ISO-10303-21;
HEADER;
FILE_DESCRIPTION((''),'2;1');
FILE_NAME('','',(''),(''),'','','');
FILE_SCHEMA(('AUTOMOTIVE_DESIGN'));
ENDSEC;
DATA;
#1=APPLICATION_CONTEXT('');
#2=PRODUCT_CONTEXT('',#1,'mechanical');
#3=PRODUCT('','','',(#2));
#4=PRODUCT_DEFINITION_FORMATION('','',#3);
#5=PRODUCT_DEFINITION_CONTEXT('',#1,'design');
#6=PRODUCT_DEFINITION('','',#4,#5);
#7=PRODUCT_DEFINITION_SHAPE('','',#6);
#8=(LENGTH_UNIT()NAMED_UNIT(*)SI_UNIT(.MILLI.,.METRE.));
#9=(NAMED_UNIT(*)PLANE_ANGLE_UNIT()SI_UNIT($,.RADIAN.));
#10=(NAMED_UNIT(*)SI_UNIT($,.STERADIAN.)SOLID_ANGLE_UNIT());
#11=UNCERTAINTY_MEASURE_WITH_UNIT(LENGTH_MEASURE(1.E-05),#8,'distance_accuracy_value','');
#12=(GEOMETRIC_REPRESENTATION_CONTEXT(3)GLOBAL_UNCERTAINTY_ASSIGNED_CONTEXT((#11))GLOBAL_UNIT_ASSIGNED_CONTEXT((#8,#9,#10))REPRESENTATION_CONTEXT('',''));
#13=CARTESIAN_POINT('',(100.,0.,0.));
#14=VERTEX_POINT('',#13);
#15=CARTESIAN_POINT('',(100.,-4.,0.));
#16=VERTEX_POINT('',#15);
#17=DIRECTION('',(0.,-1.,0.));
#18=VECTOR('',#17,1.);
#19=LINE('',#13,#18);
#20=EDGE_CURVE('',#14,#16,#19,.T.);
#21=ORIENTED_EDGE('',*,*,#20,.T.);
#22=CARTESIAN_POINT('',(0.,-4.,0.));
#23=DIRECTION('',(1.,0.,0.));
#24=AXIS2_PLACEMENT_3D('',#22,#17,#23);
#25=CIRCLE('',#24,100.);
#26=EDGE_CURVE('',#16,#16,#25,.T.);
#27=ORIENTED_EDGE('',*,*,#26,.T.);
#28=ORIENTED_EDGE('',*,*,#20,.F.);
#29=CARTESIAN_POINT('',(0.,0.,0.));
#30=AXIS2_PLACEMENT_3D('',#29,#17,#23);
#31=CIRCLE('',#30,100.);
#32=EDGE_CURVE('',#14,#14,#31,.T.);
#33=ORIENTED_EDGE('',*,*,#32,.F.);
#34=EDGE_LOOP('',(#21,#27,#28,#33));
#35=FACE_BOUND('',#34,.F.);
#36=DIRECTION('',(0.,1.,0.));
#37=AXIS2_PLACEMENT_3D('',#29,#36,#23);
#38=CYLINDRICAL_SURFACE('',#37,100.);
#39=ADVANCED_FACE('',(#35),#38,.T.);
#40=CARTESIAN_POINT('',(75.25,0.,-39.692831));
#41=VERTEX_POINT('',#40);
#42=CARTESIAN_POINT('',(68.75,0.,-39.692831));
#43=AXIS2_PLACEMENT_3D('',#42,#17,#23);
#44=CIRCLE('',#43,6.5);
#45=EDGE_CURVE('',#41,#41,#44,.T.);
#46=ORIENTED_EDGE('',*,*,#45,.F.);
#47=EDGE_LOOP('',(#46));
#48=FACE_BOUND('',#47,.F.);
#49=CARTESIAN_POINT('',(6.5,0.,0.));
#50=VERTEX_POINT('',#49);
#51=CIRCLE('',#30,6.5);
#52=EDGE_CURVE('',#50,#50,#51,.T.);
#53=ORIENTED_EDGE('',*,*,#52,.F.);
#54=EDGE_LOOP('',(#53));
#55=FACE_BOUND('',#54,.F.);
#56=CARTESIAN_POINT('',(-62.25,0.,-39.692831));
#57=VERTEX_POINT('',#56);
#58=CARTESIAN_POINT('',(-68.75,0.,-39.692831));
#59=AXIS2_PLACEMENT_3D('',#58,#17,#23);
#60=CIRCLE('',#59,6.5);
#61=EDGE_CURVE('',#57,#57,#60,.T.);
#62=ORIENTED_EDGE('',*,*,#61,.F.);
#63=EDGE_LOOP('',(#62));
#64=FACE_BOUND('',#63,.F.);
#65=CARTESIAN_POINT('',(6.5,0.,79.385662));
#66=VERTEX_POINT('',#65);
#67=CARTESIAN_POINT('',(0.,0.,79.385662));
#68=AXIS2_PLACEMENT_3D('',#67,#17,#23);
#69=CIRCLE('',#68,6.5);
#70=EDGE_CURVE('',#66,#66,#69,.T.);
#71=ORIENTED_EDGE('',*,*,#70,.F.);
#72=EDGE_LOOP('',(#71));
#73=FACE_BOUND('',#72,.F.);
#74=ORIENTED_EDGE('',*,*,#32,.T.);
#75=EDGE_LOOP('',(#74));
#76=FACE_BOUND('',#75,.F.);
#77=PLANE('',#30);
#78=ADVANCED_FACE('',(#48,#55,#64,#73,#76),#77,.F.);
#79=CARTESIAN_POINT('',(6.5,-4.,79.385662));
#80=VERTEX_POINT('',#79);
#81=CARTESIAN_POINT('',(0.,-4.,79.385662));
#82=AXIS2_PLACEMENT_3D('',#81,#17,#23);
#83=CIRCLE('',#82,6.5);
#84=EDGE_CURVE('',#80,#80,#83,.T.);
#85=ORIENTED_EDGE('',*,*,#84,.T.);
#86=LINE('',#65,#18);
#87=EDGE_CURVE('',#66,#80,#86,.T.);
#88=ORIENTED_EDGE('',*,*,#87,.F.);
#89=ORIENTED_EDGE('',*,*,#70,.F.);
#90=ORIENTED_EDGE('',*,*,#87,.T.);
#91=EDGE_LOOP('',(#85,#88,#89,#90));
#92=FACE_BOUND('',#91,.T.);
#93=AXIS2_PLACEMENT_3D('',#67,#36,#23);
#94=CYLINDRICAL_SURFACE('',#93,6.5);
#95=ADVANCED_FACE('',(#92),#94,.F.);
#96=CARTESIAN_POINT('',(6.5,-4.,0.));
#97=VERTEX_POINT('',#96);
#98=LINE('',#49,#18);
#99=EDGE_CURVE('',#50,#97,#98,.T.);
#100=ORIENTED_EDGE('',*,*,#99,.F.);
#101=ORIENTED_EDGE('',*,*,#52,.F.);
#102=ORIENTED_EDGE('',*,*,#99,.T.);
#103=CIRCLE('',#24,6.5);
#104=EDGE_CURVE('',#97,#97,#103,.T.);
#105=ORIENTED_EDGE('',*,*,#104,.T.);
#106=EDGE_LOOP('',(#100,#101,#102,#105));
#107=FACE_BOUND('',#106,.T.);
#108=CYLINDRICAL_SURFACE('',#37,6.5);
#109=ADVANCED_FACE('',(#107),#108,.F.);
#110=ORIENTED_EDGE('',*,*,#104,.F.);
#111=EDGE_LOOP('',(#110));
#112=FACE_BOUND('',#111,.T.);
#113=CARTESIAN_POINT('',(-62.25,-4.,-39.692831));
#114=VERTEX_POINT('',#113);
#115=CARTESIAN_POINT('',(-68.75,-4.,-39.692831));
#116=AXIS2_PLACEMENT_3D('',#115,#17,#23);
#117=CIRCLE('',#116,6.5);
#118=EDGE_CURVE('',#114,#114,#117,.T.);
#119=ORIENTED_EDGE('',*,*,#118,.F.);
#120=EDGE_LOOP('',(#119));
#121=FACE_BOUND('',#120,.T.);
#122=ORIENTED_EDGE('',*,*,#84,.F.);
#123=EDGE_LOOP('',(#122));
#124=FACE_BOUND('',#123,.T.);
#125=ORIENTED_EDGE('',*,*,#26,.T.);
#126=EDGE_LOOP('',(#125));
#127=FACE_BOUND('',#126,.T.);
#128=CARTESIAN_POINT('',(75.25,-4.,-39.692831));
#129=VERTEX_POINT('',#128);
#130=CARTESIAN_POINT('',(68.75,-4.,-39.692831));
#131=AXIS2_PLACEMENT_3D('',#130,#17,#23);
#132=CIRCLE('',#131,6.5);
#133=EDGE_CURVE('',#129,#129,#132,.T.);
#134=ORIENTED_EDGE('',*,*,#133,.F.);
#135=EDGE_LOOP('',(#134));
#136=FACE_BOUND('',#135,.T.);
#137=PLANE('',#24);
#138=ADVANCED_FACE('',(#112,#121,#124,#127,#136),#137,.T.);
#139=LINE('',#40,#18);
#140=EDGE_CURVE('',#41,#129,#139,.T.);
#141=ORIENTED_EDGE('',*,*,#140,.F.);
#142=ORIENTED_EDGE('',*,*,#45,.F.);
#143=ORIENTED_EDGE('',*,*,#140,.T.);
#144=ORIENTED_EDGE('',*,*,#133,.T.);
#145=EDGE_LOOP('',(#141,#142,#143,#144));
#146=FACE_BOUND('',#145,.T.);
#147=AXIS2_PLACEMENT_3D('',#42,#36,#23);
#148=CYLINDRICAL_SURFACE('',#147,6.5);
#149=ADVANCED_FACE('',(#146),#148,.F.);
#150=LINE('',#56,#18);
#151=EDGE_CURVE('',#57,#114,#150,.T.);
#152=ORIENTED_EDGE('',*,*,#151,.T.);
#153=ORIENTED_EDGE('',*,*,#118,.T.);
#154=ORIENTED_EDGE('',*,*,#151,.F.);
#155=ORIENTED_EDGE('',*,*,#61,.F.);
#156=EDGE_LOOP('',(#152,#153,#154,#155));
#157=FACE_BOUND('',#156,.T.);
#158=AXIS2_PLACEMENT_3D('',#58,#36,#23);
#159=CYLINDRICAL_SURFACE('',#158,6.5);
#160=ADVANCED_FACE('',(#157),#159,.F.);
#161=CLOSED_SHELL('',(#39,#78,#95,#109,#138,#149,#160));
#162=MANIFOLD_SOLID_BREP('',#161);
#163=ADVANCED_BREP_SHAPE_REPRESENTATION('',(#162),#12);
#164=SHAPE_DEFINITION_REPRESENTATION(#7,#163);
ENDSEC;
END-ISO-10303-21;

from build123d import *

# Parameters (mm, degrees)
F0_R     = 100
F0_R_2   = 6.5
F1_DEPTH = 4


with BuildPart() as f1:
    # F0 (on Front) → F1 (new body)
    with BuildSketch(Plane.XZ):
        Circle(F0_R)
        with Locations((-68.75, -39.692831)):
            Circle(F0_R_2, mode=Mode.SUBTRACT)
        with Locations((68.75, -39.692831)):
            Circle(F0_R_2, mode=Mode.SUBTRACT)
        Circle(F0_R_2, mode=Mode.SUBTRACT)
        with Locations((0, 79.385662)):
            Circle(F0_R_2, mode=Mode.SUBTRACT)
    extrude(amount=F1_DEPTH)


solid = f1.part
